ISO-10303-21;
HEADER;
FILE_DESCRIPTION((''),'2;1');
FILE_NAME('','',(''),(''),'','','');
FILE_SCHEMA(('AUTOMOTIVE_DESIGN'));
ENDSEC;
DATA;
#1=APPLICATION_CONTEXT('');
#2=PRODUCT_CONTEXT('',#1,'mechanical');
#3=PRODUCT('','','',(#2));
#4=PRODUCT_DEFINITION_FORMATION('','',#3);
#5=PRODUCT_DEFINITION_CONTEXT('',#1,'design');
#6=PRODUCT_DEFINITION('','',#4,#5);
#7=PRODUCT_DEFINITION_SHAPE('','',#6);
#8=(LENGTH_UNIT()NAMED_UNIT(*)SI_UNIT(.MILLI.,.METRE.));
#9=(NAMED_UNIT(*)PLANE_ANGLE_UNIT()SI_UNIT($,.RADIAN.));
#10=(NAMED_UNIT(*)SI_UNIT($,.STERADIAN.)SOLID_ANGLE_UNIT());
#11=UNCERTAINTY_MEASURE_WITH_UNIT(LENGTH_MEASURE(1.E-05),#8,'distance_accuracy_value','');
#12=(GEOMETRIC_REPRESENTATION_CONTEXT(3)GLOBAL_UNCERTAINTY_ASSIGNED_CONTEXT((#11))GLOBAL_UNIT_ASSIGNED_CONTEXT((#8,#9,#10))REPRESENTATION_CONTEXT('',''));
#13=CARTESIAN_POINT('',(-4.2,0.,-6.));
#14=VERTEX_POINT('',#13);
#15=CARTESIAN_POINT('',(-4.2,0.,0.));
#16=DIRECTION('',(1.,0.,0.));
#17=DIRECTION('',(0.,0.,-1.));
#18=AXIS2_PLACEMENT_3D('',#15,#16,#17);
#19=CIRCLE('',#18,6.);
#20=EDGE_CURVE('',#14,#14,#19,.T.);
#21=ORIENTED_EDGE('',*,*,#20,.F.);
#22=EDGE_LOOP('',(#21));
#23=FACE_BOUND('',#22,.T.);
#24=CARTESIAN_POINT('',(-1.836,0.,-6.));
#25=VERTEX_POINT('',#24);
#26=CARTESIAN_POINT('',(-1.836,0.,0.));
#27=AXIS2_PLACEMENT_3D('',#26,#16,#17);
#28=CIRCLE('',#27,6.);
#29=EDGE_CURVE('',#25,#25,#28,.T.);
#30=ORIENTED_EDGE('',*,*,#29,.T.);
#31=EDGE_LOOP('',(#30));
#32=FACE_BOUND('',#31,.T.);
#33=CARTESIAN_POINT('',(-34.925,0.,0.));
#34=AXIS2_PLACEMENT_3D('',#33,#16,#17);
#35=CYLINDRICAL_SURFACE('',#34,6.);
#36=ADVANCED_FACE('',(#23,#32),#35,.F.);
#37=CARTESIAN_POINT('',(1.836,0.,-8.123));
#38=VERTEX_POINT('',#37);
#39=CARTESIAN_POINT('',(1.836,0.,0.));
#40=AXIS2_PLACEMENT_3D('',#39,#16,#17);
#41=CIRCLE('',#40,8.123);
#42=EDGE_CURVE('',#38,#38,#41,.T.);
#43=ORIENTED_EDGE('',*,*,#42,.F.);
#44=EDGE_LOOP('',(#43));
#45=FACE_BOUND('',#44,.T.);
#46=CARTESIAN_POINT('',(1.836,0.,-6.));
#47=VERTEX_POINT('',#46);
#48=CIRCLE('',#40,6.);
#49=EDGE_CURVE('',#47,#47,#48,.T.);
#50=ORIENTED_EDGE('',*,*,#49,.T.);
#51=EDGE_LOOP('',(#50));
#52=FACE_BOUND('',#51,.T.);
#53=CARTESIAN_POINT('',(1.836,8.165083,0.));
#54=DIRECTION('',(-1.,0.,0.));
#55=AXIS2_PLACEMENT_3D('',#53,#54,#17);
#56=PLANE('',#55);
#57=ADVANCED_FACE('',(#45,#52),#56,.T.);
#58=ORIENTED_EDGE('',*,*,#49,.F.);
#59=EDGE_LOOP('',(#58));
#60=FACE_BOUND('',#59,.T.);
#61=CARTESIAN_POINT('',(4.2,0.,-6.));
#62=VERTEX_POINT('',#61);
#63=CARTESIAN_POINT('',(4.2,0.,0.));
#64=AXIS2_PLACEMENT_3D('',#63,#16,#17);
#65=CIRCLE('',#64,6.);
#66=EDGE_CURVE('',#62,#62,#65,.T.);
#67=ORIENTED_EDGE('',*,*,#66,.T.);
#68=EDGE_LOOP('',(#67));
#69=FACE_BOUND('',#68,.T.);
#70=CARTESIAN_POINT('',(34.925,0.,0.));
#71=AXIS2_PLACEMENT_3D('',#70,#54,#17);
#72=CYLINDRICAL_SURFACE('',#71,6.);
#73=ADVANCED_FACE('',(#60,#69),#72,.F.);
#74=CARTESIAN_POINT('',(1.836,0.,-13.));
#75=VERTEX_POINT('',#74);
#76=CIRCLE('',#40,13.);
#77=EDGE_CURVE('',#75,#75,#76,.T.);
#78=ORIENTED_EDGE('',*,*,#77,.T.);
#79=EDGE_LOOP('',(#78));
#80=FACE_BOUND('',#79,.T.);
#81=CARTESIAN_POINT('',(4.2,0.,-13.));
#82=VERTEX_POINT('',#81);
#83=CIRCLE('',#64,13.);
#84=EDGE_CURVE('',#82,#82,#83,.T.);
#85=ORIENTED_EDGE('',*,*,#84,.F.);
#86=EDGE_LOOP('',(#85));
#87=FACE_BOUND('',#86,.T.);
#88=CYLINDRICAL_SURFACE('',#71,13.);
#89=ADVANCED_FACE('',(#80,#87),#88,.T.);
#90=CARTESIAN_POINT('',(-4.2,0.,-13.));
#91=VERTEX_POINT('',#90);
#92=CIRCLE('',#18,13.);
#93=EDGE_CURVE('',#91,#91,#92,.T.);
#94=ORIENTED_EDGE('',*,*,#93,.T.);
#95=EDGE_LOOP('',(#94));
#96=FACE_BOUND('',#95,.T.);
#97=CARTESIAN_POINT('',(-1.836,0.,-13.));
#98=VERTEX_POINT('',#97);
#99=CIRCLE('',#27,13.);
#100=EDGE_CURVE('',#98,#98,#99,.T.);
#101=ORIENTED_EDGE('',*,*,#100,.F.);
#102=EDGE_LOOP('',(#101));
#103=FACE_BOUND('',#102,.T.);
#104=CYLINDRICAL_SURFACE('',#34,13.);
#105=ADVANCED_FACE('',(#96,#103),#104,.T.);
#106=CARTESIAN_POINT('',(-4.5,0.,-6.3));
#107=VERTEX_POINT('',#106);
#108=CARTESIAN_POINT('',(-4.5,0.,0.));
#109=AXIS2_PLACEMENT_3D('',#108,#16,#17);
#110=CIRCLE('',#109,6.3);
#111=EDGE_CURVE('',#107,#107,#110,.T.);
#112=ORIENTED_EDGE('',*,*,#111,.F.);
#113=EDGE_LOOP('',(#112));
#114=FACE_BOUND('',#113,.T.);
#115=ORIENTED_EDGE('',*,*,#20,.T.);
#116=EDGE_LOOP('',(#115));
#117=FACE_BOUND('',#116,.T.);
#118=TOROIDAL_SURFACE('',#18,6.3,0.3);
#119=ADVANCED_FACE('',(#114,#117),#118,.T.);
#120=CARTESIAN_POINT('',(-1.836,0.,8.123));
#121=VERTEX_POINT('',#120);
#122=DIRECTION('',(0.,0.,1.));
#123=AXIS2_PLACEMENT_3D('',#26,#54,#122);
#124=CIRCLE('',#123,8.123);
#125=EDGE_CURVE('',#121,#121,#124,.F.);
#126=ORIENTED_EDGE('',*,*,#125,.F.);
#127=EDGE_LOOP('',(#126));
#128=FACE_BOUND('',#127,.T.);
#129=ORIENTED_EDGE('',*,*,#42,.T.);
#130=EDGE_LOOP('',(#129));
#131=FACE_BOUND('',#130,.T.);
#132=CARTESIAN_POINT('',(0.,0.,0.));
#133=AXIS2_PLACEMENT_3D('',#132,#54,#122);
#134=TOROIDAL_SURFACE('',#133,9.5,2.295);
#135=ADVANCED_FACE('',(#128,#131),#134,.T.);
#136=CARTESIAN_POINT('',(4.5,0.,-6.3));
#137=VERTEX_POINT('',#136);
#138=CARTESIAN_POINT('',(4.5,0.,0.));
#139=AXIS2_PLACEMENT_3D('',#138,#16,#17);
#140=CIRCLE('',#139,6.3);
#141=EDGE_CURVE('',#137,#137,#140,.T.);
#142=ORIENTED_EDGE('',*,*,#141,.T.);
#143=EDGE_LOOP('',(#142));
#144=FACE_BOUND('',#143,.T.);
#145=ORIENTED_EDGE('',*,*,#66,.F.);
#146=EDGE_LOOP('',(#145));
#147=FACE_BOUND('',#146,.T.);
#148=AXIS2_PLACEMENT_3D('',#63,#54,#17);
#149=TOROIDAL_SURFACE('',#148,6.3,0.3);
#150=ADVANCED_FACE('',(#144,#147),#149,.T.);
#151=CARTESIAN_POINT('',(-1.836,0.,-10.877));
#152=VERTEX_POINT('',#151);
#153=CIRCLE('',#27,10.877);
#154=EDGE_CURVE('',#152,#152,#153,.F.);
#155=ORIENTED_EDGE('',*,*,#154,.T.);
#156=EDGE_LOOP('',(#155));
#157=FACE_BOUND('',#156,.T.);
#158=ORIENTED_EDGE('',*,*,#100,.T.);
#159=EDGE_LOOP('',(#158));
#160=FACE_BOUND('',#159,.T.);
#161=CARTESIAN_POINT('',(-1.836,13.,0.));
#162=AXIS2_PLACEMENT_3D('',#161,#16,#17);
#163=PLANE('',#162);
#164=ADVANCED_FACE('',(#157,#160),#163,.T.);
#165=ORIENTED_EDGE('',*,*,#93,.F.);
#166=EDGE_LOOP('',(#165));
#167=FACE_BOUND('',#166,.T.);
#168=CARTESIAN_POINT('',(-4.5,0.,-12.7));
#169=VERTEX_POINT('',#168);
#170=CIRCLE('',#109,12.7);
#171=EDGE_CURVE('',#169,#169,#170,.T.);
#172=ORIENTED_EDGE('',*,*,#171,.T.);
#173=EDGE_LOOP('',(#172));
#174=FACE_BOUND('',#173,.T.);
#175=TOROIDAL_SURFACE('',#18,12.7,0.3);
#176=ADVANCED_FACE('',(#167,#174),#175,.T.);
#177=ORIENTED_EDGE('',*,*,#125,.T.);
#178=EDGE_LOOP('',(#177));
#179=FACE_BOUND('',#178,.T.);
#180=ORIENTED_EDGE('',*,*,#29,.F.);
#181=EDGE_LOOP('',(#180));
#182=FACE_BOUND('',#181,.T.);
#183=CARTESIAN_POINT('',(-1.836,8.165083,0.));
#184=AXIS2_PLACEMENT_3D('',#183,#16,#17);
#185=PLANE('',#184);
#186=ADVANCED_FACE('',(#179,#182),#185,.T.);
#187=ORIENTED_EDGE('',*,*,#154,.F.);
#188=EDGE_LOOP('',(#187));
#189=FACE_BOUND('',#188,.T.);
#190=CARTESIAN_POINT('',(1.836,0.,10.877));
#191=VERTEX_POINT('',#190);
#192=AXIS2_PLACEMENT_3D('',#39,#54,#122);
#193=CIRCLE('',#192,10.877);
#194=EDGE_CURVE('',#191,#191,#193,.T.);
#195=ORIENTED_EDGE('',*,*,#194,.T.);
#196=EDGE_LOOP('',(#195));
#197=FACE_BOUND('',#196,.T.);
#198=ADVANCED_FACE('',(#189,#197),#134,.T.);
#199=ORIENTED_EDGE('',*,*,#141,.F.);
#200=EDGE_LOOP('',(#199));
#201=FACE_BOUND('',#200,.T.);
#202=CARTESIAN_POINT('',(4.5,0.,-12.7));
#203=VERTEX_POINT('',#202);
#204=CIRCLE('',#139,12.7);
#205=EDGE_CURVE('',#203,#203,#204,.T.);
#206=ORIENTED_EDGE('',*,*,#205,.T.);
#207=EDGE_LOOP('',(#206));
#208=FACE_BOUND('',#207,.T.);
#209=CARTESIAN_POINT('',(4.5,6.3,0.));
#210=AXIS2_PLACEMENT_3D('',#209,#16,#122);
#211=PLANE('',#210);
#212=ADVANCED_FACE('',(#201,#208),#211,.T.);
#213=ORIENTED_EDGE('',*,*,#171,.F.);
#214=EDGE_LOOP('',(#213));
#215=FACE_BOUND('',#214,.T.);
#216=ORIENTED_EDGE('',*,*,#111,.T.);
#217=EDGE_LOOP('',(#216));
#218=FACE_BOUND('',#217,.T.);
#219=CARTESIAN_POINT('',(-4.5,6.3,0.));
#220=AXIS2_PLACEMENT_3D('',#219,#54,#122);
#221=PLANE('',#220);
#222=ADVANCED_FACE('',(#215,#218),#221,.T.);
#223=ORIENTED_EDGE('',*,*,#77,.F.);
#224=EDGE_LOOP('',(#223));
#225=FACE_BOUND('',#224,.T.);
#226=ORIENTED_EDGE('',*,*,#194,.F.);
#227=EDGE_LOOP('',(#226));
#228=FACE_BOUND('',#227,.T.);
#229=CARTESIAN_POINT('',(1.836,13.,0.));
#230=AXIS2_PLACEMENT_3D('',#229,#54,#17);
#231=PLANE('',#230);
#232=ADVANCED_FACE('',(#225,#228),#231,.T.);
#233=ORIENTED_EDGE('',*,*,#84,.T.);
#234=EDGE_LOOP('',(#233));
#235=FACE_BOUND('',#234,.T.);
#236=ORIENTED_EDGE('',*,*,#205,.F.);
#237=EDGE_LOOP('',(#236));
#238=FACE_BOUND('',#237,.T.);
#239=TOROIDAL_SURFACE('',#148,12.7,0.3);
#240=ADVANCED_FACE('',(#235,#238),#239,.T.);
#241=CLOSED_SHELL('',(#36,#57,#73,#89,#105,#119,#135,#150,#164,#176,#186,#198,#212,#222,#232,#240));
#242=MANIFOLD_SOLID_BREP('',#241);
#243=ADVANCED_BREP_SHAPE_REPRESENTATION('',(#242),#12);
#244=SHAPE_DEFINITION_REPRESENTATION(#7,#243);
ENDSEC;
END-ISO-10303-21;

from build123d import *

# Parameters (mm, degrees)
BALSIMSKE_R = 2.295


with BuildPart() as part:
    # InnRacSke → Race (revolve)
    with BuildSketch(Plane.XY, mode=Mode.PRIVATE) as race_sk:
        with BuildLine():
            Line((-1.836, 8.165082774), (-1.836, 6))
            Line((-1.836, 6), (-4.2, 6))
            ThreePointArc((-4.2, 6), (-4.412132034, 6.087867966), (-4.5, 6.3))
            Line((-4.5, 6.3), (-4.5, 12.7))
            ThreePointArc((-4.5, 12.7), (-4.412132034, 12.912132034), (-4.2, 13))
            Line((-4.2, 13), (-1.836, 13))
            Line((-1.836, 13), (-1.836, 10.834917226))
            ThreePointArc((-1.836, 10.834917226), (-2.27, 9.5), (-1.836, 8.165082774))
        make_face()
    race = revolve(race_sk.sketch.rotate(Axis((-34.925, 0, 0), (1, 0, 0)), 270), axis=Axis((-34.925, 0, 0), (1, 0, 0)))

    # BalSimSke → BallsSimplified (revolve)
    with BuildSketch(Plane.XY, mode=Mode.PRIVATE) as ballssimplified_sk:
        with Locations((0, 9.5)):
            Circle(BALSIMSKE_R)
    revolve(ballssimplified_sk.sketch.rotate(Axis((-25.4, 0, 0), (1, 0, 0)), 90), axis=Axis((-25.4, 0, 0), (1, 0, 0)))

    # Mirror1: Race across plane
    add(race.mirror(Plane(origin=(0, 0, 0), x_dir=(0, 0, 1), z_dir=(1, 0, 0))))


solid = part.part
